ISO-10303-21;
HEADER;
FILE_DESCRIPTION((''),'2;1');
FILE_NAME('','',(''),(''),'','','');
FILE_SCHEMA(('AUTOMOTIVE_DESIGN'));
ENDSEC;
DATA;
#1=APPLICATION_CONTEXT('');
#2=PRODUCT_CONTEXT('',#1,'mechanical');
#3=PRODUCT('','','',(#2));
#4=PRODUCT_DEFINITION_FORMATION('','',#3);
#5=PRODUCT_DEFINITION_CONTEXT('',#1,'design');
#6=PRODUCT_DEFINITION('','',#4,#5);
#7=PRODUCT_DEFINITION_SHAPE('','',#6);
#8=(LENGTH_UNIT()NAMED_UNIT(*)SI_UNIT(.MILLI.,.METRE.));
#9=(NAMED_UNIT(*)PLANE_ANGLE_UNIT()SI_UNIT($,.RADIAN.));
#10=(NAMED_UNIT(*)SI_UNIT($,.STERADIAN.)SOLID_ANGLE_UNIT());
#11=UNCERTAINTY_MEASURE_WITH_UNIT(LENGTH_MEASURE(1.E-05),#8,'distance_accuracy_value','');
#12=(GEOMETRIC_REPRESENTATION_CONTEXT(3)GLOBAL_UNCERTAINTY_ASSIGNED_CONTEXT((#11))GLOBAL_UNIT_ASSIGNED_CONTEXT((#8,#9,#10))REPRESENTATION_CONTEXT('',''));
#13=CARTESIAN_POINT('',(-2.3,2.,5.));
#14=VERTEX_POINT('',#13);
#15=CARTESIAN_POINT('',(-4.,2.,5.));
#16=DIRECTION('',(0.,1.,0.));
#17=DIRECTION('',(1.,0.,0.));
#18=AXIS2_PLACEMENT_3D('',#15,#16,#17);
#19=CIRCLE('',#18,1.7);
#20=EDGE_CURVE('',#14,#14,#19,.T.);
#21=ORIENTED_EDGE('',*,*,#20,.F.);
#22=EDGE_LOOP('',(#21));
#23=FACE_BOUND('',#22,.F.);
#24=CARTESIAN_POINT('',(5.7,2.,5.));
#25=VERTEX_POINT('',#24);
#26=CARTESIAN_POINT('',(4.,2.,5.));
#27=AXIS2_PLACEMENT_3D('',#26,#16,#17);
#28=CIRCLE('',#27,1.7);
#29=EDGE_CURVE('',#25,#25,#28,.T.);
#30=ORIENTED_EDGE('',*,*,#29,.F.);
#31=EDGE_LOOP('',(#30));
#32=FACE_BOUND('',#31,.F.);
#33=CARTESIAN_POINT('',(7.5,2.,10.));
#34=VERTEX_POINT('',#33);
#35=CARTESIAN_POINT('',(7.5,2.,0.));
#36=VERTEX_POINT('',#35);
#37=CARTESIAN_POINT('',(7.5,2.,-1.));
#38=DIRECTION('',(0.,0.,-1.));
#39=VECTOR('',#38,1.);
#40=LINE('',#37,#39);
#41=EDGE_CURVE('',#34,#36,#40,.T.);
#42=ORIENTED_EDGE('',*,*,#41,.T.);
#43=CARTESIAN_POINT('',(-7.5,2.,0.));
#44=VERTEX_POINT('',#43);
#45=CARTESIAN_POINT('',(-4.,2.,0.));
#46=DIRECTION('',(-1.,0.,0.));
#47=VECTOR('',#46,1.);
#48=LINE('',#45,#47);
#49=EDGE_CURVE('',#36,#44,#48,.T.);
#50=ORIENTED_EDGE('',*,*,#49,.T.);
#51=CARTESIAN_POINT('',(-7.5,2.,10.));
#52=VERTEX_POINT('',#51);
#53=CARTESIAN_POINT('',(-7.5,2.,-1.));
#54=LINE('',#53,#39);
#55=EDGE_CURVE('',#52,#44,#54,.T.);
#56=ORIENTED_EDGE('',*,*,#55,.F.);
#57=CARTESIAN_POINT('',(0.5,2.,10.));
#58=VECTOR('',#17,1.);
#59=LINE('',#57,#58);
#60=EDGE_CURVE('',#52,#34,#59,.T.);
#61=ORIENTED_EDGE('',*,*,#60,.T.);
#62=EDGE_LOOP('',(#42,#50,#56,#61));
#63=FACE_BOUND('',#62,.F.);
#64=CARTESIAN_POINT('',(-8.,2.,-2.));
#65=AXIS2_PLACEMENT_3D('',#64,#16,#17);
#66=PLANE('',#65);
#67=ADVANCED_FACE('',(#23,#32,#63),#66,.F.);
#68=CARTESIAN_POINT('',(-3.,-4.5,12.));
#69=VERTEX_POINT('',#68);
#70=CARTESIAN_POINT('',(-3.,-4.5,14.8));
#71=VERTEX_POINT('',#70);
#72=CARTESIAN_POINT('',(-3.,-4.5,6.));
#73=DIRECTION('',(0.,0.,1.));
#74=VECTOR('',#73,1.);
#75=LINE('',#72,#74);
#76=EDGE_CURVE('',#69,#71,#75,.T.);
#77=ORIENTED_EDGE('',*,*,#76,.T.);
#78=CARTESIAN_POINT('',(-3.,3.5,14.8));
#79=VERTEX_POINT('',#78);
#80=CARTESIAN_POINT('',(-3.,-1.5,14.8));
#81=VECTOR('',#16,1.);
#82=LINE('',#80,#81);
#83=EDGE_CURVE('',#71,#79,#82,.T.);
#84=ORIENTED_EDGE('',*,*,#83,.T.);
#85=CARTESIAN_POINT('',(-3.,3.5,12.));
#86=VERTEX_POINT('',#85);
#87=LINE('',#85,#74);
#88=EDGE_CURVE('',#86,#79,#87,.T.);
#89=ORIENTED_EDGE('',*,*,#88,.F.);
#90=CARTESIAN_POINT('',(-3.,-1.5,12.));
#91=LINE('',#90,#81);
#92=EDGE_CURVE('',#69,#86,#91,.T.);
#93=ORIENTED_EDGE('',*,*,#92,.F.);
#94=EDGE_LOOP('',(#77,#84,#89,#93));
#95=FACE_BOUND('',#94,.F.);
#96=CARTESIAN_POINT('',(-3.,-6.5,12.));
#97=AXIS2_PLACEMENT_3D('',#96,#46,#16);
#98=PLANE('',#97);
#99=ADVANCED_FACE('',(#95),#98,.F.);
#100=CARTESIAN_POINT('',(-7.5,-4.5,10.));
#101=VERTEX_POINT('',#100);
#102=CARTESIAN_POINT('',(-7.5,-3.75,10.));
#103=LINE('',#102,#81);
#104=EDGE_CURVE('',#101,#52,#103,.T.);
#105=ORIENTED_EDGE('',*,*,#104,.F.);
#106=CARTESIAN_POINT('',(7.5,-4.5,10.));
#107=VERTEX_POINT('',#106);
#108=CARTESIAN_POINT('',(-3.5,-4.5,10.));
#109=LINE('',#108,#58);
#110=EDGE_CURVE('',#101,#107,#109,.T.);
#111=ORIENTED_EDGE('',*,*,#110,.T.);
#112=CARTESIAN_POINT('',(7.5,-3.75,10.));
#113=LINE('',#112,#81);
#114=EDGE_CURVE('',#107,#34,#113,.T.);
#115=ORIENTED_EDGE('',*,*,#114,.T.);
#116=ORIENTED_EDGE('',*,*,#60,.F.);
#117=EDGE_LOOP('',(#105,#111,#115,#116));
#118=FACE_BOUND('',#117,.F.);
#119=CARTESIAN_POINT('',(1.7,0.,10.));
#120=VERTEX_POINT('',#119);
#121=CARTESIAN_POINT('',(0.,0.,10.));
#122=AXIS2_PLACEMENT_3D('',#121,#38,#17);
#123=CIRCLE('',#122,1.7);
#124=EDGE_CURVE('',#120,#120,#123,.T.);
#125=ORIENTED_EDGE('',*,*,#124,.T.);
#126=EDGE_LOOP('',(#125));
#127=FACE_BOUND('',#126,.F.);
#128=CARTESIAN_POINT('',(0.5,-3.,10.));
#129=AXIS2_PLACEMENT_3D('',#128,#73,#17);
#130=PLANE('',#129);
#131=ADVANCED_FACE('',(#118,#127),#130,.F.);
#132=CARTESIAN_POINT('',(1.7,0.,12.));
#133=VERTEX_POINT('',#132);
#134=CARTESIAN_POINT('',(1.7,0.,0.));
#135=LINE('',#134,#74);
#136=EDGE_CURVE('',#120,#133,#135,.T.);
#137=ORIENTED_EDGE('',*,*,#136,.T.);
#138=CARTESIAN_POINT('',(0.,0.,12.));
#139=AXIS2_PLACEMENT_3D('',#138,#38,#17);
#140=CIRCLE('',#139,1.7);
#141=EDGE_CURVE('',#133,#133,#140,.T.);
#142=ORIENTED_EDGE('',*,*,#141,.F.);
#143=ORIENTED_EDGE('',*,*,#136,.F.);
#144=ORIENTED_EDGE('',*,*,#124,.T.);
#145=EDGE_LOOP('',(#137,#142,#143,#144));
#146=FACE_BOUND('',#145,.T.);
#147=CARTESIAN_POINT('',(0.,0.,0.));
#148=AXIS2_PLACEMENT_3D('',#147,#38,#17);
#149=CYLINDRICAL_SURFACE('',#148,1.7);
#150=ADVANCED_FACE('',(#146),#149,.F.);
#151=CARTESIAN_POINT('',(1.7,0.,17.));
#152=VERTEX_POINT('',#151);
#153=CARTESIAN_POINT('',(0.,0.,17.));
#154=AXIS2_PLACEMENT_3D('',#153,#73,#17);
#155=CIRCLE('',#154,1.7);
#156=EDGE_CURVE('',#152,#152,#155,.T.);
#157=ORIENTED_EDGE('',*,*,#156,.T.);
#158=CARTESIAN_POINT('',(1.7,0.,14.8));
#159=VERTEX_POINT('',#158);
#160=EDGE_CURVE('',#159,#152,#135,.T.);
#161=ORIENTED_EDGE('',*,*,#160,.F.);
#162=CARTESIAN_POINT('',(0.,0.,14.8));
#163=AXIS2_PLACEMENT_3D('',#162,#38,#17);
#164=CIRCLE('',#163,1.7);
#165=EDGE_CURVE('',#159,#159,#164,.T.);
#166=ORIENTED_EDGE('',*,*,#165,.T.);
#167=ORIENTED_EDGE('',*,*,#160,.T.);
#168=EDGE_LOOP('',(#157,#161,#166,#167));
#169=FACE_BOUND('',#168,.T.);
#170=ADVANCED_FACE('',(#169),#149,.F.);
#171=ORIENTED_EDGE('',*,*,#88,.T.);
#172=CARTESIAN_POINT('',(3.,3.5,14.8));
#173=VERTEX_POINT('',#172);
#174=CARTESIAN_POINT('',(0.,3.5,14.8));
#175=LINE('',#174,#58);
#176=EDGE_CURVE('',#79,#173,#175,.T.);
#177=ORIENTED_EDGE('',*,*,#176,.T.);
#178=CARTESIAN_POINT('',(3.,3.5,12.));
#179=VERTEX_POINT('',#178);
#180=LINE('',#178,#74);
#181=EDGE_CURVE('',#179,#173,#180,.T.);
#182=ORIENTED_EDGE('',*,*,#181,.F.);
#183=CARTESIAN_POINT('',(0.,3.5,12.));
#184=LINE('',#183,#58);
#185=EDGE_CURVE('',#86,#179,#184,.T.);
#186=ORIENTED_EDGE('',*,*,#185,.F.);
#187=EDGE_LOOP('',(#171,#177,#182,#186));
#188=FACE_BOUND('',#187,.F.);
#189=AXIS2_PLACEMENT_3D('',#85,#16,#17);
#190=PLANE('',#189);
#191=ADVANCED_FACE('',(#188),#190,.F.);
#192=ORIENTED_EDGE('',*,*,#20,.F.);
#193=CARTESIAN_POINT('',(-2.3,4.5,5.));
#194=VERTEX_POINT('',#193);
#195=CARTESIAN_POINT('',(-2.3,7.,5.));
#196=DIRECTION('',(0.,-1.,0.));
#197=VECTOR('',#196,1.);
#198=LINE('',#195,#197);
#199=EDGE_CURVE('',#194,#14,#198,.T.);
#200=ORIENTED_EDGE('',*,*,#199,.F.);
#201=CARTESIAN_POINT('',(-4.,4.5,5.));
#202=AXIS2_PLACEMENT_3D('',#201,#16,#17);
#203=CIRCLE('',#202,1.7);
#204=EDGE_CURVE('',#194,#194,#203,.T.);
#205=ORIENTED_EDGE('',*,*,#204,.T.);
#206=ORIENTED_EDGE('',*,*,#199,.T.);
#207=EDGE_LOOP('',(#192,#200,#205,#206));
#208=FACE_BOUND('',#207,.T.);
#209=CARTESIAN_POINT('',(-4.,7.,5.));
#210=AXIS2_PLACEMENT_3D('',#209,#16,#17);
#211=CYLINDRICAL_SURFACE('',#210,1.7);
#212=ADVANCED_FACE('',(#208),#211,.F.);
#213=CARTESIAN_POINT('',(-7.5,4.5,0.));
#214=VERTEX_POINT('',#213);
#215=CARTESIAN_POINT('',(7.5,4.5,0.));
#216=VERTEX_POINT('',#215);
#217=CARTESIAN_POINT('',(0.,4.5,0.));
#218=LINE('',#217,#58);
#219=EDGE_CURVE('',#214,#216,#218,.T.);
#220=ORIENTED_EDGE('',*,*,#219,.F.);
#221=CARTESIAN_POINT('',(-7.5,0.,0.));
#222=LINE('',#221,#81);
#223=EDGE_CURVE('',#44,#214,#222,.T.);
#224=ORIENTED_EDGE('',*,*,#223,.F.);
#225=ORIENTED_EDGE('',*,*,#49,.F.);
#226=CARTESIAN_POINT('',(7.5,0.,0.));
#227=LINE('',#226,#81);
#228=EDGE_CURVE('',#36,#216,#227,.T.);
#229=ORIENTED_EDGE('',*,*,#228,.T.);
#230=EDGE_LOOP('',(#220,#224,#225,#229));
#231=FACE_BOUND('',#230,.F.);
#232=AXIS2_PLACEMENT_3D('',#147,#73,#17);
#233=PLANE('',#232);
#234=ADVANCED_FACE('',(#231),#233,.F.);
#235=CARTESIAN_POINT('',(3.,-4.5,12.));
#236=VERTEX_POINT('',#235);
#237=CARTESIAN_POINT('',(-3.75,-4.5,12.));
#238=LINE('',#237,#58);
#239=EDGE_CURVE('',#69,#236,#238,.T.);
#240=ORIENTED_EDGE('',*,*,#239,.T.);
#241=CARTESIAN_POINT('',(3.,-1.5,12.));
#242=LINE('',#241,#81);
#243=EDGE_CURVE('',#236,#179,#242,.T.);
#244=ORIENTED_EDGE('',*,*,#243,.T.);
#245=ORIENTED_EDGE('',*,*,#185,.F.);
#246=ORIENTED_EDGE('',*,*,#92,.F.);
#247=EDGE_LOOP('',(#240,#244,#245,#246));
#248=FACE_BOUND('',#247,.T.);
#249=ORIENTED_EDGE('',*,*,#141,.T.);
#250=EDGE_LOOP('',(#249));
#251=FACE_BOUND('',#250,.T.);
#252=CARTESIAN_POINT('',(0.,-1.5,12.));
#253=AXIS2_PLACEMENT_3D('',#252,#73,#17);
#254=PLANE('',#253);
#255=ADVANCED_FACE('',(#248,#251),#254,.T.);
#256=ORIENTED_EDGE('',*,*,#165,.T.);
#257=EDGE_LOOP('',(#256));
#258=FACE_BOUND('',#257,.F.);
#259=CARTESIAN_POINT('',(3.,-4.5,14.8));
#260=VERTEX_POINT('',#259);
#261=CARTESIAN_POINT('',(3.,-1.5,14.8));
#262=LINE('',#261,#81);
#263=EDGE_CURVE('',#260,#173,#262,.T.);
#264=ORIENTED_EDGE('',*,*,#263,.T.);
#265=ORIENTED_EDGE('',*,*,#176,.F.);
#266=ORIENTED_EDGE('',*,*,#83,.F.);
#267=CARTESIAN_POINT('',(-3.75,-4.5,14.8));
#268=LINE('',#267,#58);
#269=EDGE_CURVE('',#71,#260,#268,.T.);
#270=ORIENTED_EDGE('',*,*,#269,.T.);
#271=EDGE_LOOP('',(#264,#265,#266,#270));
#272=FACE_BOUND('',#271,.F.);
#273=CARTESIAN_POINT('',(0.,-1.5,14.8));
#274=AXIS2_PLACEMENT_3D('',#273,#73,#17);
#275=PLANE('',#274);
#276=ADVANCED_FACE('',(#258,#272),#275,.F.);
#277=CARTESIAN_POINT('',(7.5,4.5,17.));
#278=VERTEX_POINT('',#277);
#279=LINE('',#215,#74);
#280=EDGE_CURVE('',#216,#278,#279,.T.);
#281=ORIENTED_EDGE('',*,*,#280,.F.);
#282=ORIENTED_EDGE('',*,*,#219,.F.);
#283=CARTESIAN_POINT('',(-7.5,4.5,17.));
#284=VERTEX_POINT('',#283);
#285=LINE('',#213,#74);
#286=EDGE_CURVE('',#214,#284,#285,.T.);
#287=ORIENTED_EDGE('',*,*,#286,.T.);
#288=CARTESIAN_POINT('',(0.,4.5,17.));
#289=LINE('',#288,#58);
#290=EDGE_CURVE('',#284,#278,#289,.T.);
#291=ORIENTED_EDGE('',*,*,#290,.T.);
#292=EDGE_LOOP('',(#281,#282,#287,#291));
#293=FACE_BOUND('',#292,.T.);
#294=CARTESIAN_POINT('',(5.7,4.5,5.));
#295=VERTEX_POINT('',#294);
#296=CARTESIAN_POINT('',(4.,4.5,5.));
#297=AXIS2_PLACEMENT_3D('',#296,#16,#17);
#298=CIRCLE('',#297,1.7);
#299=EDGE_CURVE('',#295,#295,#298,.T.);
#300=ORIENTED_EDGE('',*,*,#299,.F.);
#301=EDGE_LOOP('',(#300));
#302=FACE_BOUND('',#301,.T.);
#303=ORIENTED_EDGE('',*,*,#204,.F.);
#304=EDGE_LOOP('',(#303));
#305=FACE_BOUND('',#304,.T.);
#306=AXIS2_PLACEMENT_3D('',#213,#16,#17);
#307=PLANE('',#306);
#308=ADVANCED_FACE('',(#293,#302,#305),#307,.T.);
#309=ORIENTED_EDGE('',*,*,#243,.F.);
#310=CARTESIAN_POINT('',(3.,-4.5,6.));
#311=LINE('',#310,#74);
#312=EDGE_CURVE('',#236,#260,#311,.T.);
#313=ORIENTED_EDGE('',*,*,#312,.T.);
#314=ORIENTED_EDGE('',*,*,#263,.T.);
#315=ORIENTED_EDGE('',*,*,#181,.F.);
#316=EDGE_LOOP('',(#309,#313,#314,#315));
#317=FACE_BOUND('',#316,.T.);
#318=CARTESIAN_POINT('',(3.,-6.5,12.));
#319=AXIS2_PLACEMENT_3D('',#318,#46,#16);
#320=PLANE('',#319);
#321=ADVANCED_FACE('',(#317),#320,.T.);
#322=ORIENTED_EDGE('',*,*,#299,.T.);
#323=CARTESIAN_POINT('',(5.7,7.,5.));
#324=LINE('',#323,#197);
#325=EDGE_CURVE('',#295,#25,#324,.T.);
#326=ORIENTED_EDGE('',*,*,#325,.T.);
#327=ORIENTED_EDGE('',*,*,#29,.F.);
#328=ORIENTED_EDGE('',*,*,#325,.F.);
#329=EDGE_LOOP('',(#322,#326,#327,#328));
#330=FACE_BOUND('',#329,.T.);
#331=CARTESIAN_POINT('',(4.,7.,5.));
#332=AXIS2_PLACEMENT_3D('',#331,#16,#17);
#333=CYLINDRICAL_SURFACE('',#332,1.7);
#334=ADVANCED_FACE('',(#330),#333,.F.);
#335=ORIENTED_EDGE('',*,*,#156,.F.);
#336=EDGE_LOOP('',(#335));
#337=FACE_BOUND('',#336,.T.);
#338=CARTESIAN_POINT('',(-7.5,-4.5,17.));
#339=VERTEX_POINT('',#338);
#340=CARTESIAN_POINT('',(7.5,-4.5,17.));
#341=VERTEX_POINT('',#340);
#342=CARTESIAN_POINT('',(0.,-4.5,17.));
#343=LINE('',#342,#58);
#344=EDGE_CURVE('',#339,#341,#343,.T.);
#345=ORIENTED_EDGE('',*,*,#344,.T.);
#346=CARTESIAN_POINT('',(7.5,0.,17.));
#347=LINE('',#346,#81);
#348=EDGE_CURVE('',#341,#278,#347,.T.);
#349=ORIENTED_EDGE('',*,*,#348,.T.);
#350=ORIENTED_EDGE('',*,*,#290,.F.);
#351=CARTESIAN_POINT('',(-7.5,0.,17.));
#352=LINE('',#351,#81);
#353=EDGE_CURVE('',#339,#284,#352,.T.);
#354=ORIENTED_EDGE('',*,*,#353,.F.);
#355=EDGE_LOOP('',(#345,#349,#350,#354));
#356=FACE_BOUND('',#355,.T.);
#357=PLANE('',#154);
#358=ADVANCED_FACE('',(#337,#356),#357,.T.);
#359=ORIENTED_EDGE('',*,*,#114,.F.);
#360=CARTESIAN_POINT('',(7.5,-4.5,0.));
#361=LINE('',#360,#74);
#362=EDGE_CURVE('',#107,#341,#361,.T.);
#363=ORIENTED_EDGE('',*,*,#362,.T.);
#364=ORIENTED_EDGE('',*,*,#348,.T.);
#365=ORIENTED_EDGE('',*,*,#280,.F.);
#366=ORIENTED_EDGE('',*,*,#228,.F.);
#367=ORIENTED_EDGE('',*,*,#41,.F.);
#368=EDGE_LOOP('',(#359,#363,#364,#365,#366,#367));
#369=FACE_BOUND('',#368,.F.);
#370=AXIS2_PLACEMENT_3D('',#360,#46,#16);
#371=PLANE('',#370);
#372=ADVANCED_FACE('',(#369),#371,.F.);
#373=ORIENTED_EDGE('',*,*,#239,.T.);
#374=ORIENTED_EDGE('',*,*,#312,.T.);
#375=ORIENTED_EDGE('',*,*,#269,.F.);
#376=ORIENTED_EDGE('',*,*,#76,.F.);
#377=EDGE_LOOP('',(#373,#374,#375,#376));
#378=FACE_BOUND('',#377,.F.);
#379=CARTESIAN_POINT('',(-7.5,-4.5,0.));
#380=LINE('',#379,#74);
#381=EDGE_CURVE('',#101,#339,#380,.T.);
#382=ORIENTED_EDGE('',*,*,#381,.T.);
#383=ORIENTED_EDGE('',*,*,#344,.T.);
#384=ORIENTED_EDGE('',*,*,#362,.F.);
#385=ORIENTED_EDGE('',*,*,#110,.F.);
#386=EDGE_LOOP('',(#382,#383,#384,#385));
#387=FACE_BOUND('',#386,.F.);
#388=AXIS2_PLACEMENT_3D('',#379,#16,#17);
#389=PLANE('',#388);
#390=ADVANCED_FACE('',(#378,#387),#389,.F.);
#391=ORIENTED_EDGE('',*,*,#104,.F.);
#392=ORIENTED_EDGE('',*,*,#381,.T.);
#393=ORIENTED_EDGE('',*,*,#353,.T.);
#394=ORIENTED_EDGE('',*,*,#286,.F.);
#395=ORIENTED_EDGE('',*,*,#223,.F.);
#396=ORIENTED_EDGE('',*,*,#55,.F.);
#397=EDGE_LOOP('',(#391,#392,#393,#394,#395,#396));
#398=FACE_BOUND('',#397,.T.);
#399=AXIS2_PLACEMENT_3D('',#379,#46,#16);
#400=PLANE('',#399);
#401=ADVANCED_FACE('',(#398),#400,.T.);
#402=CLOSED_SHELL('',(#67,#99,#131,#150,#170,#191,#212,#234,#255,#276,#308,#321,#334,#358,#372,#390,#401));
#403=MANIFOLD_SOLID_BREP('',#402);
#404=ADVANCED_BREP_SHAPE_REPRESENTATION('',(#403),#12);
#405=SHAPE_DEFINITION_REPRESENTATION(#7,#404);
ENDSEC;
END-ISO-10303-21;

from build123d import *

# Parameters (mm, degrees)
SKETCH050_W       = 15
SKETCH050_H       = 9
SKETCH050_R       = 1.7
PAD025_DEPTH      = 17
BOX002_W          = 6
BOX002_H          = 10
BOX002_DEPTH      = 2.8
BOX003_W          = 17
BOX003_H          = 10
BOX003_DEPTH      = 12
CYLINDER002_R     = 1.7
CYLINDER002_DEPTH = 10
CYLINDER003_R     = 1.7
CYLINDER003_DEPTH = 10


with BuildPart() as part:
    # Sketch050 → Pad025 (new body)
    with BuildSketch(Plane.XY):
        Rectangle(SKETCH050_W, SKETCH050_H)
        Circle(SKETCH050_R, mode=Mode.SUBTRACT)
    extrude(amount=PAD025_DEPTH)

    # Box002 → Box002 (cut)
    with BuildSketch(Plane(origin=(-3, -6.5, 12), x_dir=(1, 0, 0), z_dir=(0, 0, 1))):
        with Locations((3, 5)):
            Rectangle(BOX002_W, BOX002_H)
    extrude(amount=BOX002_DEPTH, mode=Mode.SUBTRACT)

    # Box003 → Box003 (cut)
    with BuildSketch(Plane(origin=(-8, -8, -2), x_dir=(1, 0, 0), z_dir=(0, 0, 1))):
        with Locations((8.5, 5)):
            Rectangle(BOX003_W, BOX003_H)
    extrude(amount=BOX003_DEPTH, mode=Mode.SUBTRACT)

    # Cylinder002 → Cylinder002 (cut)
    with BuildSketch(Plane(origin=(-4, 7, 5), x_dir=(1, 0, 0), z_dir=(0, -1, 0))):
        Circle(CYLINDER002_R)
    extrude(amount=CYLINDER002_DEPTH, mode=Mode.SUBTRACT)

    # Cylinder003 → Cylinder003 (cut)
    with BuildSketch(Plane(origin=(4, 7, 5), x_dir=(1, 0, 0), z_dir=(0, -1, 0))):
        Circle(CYLINDER003_R)
    extrude(amount=CYLINDER003_DEPTH, mode=Mode.SUBTRACT)


solid = part.part
